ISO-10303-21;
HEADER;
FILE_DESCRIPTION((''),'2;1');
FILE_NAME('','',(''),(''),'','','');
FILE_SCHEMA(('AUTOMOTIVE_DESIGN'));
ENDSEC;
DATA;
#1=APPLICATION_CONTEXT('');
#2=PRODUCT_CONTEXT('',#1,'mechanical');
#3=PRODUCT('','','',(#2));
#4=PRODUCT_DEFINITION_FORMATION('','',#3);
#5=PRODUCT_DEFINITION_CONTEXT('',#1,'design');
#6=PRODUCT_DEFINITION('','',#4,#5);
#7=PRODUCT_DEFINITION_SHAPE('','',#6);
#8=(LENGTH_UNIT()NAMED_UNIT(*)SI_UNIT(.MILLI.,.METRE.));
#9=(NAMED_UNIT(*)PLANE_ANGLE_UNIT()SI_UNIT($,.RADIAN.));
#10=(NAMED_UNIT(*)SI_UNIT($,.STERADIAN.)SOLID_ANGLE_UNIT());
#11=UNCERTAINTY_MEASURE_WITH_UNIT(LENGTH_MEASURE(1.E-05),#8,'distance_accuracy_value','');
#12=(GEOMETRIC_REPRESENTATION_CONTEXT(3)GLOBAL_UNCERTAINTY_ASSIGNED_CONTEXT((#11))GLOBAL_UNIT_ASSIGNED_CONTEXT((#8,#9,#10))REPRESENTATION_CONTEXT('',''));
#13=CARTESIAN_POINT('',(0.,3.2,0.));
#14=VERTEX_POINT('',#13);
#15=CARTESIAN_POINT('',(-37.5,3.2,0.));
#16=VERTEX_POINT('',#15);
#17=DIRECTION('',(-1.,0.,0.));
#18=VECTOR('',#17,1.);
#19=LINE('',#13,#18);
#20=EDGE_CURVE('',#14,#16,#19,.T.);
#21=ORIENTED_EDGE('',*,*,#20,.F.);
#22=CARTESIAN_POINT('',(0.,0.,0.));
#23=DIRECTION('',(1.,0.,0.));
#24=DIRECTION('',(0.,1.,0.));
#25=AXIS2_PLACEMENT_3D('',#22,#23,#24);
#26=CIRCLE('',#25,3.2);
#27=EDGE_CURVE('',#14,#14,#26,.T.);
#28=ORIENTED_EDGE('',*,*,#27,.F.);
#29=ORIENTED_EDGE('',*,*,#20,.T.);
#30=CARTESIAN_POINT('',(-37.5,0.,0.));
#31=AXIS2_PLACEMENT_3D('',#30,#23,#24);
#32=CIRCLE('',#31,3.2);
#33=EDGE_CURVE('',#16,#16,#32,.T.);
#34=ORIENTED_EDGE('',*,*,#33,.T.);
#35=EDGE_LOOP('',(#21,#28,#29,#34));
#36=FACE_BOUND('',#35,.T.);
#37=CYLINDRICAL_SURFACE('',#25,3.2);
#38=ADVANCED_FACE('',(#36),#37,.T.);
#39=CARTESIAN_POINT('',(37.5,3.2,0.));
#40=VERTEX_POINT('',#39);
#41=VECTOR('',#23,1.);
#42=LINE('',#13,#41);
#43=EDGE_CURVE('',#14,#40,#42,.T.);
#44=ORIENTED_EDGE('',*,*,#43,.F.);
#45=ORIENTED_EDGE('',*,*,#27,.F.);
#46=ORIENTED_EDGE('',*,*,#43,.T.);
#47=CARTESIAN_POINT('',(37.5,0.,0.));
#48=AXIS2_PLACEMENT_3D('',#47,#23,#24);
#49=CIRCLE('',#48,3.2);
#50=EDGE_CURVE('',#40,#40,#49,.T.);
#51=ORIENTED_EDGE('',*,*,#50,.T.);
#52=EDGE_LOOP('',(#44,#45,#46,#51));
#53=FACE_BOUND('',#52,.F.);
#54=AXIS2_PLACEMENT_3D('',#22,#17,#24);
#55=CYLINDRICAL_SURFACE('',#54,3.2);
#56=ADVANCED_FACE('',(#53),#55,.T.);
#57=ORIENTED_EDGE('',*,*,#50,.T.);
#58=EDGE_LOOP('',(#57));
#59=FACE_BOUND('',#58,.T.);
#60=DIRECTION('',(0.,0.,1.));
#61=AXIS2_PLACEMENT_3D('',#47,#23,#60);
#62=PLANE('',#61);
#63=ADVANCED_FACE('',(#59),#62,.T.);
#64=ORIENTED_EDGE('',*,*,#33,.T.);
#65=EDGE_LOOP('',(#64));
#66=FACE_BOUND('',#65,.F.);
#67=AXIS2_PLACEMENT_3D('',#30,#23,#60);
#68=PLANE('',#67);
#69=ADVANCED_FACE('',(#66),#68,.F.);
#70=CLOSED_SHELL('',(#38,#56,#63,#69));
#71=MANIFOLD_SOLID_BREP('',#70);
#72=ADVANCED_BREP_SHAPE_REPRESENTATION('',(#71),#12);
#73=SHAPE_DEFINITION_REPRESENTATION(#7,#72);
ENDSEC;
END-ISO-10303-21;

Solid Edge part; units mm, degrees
sketch "Sketch1" plane through (0, 0, 0) normal (1, 0, 0) x (0, 1, 0)
  circle A0 centre (0, 0) radius 3.2
extrude "Protrusion1" add sketch "Sketch1" along normal mid plane 75
